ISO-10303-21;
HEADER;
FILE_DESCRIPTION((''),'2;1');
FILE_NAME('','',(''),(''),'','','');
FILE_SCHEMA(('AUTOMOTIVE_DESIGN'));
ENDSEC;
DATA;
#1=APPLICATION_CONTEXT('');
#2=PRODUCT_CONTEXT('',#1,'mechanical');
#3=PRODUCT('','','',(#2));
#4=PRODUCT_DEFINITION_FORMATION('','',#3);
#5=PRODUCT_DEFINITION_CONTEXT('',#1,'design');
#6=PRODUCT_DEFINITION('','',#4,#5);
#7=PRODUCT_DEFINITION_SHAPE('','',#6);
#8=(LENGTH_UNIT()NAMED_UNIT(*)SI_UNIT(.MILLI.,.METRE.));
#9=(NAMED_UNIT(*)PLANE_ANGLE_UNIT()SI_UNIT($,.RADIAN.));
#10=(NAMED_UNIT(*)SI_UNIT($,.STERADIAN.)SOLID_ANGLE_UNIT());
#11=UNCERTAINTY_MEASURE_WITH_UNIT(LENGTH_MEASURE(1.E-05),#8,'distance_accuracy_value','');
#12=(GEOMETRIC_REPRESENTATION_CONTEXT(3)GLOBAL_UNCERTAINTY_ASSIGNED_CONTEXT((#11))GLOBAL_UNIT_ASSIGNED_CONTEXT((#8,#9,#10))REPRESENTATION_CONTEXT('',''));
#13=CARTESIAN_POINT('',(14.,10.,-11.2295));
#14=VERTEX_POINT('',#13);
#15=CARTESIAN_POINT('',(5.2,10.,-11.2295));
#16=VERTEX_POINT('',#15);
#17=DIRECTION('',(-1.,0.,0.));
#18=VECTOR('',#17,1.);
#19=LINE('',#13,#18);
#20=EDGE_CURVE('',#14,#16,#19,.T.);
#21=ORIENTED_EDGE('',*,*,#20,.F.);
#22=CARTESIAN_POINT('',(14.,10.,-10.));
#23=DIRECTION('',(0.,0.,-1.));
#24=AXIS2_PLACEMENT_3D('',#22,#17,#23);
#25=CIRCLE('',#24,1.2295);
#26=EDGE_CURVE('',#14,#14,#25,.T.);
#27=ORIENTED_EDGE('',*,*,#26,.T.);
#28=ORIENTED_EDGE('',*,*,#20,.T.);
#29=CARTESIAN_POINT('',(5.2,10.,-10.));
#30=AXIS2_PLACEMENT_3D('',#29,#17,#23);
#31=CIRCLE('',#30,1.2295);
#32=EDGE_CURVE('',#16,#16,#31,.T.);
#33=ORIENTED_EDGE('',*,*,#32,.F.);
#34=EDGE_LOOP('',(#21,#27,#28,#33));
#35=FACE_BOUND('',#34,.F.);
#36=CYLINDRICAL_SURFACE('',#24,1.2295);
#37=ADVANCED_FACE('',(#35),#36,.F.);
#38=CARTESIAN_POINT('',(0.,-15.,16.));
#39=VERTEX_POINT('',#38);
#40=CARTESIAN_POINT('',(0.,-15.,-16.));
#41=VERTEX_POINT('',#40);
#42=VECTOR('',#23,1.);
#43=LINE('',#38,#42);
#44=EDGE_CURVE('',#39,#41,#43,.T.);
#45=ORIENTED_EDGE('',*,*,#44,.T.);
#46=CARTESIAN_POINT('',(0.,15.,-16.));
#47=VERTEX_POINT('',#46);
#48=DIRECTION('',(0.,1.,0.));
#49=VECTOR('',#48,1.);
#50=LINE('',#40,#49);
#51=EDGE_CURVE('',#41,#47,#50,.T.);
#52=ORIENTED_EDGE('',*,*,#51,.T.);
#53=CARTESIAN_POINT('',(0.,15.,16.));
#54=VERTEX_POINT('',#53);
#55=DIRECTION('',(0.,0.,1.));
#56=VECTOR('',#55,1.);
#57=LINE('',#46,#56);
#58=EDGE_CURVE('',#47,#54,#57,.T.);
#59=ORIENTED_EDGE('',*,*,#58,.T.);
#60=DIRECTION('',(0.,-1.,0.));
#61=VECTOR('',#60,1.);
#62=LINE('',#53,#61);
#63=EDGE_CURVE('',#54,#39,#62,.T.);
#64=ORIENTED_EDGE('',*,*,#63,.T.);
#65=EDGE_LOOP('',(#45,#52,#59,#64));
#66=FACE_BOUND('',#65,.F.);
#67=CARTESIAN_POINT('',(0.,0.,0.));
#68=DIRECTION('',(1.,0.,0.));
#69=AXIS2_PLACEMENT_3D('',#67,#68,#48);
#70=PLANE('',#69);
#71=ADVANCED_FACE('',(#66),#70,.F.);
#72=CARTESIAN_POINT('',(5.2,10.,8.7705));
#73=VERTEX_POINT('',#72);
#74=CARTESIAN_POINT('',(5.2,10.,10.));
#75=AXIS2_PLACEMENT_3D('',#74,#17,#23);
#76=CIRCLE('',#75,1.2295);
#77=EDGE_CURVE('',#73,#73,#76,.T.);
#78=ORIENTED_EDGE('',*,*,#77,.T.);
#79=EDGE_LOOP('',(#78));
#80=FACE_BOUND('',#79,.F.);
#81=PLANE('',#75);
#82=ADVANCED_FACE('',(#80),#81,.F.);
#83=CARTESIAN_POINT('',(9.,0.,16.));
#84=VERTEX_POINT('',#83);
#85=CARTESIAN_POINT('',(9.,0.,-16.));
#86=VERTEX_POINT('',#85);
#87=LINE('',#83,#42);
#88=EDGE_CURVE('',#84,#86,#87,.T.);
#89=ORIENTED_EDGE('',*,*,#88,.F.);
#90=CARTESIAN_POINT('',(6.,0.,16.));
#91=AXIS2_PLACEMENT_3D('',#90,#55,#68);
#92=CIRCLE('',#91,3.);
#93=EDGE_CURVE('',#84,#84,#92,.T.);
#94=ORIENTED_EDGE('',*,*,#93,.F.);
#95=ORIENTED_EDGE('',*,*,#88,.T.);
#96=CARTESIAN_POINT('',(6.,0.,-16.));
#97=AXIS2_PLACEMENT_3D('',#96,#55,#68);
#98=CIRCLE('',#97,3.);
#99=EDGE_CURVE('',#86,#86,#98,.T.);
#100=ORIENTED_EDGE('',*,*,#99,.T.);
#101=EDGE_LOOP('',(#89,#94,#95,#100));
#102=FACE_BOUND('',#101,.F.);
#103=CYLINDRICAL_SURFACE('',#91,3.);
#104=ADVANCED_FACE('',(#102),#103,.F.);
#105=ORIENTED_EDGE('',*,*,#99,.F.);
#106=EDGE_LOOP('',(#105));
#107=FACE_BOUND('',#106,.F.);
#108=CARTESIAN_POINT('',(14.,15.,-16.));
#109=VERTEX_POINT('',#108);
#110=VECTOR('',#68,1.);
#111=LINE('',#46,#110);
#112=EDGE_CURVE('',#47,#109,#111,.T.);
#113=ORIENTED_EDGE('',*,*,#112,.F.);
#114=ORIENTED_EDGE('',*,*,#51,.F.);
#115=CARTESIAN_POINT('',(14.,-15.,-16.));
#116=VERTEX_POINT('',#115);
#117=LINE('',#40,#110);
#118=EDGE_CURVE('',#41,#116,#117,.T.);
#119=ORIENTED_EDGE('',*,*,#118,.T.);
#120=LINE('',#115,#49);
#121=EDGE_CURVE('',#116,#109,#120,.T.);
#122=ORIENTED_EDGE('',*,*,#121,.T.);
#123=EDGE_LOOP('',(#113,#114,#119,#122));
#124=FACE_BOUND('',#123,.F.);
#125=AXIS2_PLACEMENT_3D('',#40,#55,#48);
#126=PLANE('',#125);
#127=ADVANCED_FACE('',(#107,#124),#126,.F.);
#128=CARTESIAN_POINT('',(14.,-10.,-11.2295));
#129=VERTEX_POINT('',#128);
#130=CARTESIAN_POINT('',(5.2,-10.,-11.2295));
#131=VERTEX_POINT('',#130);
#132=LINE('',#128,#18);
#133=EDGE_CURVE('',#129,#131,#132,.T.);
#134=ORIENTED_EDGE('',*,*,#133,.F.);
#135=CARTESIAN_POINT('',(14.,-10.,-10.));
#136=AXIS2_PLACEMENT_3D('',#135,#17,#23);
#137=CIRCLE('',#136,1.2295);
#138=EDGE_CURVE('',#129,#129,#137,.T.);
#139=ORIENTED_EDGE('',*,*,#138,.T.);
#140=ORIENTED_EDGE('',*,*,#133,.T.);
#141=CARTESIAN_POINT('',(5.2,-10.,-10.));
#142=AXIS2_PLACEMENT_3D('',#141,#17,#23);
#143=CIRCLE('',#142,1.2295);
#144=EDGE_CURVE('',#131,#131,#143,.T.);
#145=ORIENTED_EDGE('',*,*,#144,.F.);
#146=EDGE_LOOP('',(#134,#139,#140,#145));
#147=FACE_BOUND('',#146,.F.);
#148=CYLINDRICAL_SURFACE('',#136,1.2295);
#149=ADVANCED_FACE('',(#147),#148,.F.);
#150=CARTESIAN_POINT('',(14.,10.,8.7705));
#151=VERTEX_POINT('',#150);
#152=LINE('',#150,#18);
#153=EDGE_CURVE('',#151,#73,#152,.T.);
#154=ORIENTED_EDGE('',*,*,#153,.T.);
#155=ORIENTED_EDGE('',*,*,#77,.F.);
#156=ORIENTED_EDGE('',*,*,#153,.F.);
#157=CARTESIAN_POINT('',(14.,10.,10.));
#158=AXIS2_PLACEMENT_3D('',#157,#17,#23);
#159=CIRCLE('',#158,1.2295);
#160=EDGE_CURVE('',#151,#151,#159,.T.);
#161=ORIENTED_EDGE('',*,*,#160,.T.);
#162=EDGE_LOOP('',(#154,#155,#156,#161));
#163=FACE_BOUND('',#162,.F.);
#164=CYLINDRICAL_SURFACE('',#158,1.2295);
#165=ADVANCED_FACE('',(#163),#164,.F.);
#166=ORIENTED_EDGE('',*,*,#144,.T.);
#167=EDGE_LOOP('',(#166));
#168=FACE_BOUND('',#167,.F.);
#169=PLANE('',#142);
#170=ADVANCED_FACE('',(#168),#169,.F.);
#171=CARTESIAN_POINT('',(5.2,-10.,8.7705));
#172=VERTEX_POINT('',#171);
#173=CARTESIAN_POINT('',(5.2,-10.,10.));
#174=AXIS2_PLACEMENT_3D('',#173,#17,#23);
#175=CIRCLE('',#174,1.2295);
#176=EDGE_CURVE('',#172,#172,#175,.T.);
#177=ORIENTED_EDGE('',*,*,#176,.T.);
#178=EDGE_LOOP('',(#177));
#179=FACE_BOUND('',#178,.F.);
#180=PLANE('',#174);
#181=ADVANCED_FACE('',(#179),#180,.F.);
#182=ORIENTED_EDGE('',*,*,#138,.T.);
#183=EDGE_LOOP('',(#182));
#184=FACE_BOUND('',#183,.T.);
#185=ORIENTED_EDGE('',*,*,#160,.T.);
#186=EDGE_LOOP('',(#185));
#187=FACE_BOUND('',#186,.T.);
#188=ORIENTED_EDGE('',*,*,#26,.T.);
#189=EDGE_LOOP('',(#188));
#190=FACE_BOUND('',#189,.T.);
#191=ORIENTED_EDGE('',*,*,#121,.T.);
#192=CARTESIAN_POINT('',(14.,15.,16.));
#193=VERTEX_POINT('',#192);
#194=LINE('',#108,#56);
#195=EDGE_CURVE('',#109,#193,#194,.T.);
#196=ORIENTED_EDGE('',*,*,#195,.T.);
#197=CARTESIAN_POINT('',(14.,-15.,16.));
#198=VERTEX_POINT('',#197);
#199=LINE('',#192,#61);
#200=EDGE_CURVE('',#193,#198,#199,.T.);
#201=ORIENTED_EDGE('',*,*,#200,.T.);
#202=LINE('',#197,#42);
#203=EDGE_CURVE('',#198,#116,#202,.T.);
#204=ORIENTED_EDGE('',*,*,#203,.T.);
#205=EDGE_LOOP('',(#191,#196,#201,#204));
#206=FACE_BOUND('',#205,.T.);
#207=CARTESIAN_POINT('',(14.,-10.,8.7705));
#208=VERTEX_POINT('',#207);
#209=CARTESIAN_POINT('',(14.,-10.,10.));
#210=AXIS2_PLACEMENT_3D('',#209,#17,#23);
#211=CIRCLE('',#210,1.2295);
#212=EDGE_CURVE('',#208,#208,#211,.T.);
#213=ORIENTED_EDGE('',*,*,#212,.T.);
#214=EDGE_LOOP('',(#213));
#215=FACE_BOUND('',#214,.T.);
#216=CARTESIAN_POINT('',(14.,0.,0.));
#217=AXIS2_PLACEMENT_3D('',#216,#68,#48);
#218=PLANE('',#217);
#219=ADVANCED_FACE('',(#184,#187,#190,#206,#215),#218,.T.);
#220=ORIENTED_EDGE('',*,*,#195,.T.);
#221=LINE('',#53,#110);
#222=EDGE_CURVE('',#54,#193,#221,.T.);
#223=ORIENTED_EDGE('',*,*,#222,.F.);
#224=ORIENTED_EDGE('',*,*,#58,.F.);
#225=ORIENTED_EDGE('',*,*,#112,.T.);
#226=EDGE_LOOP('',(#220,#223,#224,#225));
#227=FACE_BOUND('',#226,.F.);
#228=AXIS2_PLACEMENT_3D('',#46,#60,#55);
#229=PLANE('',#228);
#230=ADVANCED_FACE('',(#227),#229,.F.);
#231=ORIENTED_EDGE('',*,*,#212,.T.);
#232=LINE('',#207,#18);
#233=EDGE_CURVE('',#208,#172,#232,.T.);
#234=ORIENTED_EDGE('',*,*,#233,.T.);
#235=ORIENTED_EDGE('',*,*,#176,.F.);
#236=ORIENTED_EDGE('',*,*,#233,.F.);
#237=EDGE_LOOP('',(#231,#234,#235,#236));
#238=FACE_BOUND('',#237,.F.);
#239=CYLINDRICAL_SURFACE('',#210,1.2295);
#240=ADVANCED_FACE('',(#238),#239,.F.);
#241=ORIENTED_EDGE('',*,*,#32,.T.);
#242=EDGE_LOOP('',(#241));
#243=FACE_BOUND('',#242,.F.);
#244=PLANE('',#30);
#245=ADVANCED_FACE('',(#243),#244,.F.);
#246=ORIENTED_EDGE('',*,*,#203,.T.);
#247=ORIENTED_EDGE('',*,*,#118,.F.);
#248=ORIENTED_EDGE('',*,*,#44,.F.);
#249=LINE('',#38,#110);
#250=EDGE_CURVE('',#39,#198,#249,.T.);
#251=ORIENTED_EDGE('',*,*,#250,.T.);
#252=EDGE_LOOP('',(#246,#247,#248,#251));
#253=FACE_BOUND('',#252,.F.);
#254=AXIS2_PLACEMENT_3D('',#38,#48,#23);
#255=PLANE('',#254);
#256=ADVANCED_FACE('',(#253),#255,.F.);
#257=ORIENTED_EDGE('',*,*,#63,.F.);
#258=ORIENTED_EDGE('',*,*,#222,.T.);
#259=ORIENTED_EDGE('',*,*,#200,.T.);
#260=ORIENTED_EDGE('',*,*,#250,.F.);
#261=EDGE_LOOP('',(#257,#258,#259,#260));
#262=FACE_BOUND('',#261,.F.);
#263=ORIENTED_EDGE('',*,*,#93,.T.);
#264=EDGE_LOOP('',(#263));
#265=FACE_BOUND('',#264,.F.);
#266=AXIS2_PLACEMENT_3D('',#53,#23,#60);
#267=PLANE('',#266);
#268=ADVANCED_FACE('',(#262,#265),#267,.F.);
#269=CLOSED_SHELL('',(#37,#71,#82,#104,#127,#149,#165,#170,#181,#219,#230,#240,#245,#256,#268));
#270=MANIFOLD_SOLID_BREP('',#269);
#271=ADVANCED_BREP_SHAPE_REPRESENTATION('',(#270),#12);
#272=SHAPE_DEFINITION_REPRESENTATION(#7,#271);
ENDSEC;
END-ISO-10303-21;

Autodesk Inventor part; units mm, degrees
ref_plane "YZ Plane" through (0, 0, 0) normal (1, 0, 0) x (0, 1, 0)
ref_plane "XZ Plane" through (0, 0, 0) normal (0, 1, 0) x (-1, 0, 0)
ref_plane "XY Plane" through (0, 0, 0) normal (0, 0, 1) x (1, 0, 0)
sketch "スケッチ1" plane through (0, 0, 0) normal (1, 0, 0) x (0, 1, 0)
  line L0 (-15, -16) -> (15, -16)
  line L1 (15, -16) -> (15, 16)
  line L2 (15, 16) -> (-15, 16)
  line L3 (-15, 16) -> (-15, -16)
  line L4 (-15, -16) -> (15, 16) construction
  line L5 (15, -16) -> (-15, 16) construction
  point P0 (0, 0)
  dimension "d0" = 32
  dimension "d1" = 30
extrude "押し出し1" add sketch "スケッチ1" along normal blind 14
sketch "スケッチ2" plane through (0, -15, 16) normal (0, 0, 1) x (1, 0, 0)
  line L0 (0, 30) -> (0, 0) projected
  line L1 (0, 0) -> (14, 0) projected
  line L2 (14, 30) -> (14, 0) projected
  line L3 (0, 30) -> (14, 30) projected
  circle A0 centre (6, 15) radius 3
  point P0 (0, 15)
  dimension "d4" = 6
  dimension "d17" = 6
extrude "押し出し2" cut sketch "スケッチ2" against normal through all contours A0
sketch "スケッチ3" plane through (14, 0, 0) normal (1, 0, 0) x (0, 0, -1)
  line L0 (-10, 10) -> (10, 10)
  line L1 (10, 10) -> (10, -10)
  line L2 (10, -10) -> (-10, -10)
  line L3 (-10, -10) -> (-10, 10)
  line L4 (-10, 10) -> (10, -10) construction
  line L5 (10, 10) -> (-10, -10) construction
  line L6 (-16, 15) -> (-16, -15) projected
  point P0 (0, 0)
  point P1 (0, 0)
  dimension "d7" = 20
  dimension "d8" = 20
  dimension "d9" = 6
hole "穴1" at (14, 10, -10) at (14, 10, 10) at (14, -10, 10) at (14, -10, -10) direction (-1, 0, 0) diameter 2.459 depth 8.8 thread size "M3x0.5" class "6H" standard "ISO Metric profile"
properties part number "Linear_Unit_B"
